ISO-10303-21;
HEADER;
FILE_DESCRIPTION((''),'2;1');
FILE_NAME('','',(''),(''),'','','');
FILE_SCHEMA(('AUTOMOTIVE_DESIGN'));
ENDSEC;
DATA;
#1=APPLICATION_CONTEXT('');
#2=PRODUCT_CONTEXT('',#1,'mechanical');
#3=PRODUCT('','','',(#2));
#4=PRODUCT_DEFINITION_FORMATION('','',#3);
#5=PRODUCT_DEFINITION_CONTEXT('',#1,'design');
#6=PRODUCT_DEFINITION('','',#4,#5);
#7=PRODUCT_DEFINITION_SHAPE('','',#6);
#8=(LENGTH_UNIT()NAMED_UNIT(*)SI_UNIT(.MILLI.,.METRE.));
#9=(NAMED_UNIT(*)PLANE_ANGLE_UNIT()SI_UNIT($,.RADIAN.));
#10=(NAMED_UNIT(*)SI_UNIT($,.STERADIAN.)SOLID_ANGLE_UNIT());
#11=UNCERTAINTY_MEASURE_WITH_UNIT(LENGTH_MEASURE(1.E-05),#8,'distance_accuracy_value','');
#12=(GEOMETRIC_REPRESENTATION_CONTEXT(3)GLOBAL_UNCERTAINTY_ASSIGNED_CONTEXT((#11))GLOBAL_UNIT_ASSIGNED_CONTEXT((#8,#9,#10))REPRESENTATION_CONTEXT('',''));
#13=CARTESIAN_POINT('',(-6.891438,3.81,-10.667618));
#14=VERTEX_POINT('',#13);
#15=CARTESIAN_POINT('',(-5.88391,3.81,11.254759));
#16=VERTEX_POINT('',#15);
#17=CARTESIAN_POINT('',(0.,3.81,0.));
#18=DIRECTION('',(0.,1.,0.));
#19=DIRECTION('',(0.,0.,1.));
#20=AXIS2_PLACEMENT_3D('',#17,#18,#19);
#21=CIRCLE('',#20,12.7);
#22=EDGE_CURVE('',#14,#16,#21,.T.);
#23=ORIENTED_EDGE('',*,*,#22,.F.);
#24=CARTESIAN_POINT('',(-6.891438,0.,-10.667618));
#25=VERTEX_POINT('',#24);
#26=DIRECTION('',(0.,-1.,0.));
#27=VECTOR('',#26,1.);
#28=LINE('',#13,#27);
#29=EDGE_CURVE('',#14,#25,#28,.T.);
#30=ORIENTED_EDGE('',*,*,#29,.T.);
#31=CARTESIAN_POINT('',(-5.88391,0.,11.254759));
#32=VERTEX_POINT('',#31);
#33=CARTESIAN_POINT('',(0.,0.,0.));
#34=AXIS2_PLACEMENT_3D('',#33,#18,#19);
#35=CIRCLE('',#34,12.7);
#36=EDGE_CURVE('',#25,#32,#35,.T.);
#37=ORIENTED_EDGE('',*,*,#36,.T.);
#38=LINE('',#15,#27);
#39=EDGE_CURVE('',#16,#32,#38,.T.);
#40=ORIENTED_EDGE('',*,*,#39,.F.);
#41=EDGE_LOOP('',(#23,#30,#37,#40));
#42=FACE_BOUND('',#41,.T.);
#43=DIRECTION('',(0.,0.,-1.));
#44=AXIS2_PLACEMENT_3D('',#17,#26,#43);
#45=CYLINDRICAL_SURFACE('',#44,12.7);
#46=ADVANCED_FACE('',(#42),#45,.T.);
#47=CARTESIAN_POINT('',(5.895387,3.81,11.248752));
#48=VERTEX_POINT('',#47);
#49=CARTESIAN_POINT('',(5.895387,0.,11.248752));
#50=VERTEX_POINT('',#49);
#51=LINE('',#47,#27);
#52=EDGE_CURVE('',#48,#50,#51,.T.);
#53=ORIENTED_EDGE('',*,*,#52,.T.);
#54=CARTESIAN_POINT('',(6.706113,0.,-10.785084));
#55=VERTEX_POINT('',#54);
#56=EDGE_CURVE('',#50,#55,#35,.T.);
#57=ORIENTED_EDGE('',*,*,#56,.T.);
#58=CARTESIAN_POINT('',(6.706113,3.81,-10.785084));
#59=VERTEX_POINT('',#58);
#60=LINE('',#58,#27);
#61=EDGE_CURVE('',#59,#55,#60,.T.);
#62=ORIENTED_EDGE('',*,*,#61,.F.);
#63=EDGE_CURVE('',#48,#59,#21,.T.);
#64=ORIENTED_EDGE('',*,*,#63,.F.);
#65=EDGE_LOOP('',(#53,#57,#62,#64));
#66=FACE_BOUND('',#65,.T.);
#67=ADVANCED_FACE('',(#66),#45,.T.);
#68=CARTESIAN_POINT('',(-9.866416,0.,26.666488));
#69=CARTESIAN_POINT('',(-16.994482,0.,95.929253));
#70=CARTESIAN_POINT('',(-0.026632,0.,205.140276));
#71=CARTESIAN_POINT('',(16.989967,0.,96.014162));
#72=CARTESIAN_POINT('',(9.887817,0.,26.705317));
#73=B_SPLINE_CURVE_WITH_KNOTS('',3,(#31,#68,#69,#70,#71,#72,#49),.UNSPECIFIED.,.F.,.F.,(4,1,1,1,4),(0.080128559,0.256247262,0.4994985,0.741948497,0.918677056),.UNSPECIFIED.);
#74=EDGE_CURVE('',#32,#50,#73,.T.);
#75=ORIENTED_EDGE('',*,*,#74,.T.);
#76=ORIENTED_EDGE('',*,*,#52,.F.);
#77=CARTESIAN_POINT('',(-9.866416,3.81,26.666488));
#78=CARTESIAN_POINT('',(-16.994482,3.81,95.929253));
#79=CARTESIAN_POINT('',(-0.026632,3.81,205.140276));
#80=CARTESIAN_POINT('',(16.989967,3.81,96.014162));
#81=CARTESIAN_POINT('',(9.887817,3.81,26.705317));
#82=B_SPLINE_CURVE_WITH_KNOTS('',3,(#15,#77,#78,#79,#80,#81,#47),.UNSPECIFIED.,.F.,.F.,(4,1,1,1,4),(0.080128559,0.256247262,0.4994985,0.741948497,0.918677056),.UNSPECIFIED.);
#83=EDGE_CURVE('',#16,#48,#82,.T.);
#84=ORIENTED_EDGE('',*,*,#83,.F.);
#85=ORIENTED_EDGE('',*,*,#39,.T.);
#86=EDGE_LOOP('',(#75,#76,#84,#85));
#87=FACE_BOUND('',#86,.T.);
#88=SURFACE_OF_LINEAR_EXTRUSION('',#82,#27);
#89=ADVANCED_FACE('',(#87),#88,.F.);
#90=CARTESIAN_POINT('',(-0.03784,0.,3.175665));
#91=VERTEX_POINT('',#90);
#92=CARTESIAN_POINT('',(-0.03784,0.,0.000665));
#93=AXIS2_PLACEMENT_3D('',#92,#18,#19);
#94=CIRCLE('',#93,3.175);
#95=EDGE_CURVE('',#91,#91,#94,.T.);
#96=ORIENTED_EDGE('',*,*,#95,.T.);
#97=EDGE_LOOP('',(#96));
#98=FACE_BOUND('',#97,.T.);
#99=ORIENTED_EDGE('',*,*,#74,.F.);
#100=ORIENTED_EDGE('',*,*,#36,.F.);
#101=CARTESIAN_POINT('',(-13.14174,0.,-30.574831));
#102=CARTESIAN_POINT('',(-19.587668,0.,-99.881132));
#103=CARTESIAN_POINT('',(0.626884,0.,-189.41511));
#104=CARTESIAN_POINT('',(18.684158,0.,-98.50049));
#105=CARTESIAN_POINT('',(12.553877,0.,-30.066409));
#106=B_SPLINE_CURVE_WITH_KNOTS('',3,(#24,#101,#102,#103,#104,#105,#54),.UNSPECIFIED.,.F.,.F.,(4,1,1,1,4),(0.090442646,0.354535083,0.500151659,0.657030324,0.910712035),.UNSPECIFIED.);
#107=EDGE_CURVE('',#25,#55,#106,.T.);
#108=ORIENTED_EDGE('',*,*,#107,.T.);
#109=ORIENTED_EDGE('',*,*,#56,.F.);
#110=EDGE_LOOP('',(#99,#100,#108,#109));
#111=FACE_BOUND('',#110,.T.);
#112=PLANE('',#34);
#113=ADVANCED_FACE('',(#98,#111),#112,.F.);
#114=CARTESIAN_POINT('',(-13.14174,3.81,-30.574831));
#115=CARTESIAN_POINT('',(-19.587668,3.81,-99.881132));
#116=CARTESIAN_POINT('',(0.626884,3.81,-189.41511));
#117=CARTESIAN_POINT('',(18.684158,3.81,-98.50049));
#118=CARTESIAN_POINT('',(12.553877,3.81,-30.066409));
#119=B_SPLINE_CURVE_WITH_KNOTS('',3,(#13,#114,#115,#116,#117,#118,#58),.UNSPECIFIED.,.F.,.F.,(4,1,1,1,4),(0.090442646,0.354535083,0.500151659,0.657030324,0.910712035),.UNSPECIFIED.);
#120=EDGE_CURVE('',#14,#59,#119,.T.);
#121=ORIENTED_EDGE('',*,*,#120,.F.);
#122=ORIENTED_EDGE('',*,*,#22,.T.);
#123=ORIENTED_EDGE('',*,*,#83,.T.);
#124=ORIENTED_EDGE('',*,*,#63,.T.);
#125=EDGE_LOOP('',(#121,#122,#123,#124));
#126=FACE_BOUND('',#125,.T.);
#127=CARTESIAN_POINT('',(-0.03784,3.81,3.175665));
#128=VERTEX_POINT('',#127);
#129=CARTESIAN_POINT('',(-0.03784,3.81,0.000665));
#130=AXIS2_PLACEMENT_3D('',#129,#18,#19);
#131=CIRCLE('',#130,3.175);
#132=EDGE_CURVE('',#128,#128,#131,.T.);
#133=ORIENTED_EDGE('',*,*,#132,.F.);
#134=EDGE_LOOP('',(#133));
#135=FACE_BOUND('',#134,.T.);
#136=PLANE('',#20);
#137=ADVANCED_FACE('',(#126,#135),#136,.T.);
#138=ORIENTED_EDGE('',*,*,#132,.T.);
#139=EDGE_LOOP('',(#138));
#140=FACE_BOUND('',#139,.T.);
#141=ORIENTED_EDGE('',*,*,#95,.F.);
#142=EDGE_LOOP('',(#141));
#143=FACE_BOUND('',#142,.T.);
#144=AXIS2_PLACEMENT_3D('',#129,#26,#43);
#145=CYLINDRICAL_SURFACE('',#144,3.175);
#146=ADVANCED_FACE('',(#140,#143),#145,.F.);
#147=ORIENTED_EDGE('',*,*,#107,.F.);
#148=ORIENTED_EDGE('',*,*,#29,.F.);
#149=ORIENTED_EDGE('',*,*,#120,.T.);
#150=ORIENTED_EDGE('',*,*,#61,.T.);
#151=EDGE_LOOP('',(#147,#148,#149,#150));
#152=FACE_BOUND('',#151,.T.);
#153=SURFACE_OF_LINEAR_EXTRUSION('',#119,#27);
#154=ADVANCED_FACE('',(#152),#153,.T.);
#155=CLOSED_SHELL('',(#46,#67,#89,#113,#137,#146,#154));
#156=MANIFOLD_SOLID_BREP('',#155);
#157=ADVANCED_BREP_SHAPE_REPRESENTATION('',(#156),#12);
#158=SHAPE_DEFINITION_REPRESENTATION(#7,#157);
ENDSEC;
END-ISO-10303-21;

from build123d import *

# Parameters (mm, degrees)
SKETCH1_R           = 3.175
BOSS_EXTRUDE1_DEPTH = 3.81


with BuildPart() as part:
    # Sketch1 → Boss-Extrude1 (new body)
    with BuildSketch(Plane(origin=(0, 0, 0), x_dir=(1, 0, 0), z_dir=(0, 1, 0))):
        with BuildLine():
            add(Edge.make_bspline(
                [(-6.891438373, 10.667618157), (-13.141739885, 30.574831134), (-19.587668331, 99.881131685), (0.626884387, 189.415109593), (18.684158102, 98.500490429), (12.553876864, 30.066409487), (6.706113203, 10.785084409)],
                knots=[0.090442646, 0.090442646, 0.090442646, 0.090442646, 0.354535083, 0.500151659, 0.657030324, 0.910712035, 0.910712035, 0.910712035, 0.910712035], degree=3))
            ThreePointArc((6.706113203, 10.785084409), (12.691411814, -0.466975555), (5.895386784, -11.248751694))
            add(Edge.make_bspline(
                [(-5.88391039, -11.254758928), (-9.866416239, -26.666488161), (-16.994481981, -95.929253478), (-0.026632418, -205.140276042), (16.989967462, -96.014162194), (9.887816855, -26.705317248), (5.895386784, -11.248751694)],
                knots=[0.080128559, 0.080128559, 0.080128559, 0.080128559, 0.256247262, 0.4994985, 0.741948497, 0.918677056, 0.918677056, 0.918677056, 0.918677056], degree=3))
            ThreePointArc((-5.88391039, -11.254758928), (-12.68660862, -0.583062373), (-6.891438373, 10.667618157))
        make_face()
        with Locations((-0.037840034, -0.000665164)):
            Circle(SKETCH1_R, mode=Mode.SUBTRACT)
    extrude(amount=BOSS_EXTRUDE1_DEPTH)


solid = part.part
